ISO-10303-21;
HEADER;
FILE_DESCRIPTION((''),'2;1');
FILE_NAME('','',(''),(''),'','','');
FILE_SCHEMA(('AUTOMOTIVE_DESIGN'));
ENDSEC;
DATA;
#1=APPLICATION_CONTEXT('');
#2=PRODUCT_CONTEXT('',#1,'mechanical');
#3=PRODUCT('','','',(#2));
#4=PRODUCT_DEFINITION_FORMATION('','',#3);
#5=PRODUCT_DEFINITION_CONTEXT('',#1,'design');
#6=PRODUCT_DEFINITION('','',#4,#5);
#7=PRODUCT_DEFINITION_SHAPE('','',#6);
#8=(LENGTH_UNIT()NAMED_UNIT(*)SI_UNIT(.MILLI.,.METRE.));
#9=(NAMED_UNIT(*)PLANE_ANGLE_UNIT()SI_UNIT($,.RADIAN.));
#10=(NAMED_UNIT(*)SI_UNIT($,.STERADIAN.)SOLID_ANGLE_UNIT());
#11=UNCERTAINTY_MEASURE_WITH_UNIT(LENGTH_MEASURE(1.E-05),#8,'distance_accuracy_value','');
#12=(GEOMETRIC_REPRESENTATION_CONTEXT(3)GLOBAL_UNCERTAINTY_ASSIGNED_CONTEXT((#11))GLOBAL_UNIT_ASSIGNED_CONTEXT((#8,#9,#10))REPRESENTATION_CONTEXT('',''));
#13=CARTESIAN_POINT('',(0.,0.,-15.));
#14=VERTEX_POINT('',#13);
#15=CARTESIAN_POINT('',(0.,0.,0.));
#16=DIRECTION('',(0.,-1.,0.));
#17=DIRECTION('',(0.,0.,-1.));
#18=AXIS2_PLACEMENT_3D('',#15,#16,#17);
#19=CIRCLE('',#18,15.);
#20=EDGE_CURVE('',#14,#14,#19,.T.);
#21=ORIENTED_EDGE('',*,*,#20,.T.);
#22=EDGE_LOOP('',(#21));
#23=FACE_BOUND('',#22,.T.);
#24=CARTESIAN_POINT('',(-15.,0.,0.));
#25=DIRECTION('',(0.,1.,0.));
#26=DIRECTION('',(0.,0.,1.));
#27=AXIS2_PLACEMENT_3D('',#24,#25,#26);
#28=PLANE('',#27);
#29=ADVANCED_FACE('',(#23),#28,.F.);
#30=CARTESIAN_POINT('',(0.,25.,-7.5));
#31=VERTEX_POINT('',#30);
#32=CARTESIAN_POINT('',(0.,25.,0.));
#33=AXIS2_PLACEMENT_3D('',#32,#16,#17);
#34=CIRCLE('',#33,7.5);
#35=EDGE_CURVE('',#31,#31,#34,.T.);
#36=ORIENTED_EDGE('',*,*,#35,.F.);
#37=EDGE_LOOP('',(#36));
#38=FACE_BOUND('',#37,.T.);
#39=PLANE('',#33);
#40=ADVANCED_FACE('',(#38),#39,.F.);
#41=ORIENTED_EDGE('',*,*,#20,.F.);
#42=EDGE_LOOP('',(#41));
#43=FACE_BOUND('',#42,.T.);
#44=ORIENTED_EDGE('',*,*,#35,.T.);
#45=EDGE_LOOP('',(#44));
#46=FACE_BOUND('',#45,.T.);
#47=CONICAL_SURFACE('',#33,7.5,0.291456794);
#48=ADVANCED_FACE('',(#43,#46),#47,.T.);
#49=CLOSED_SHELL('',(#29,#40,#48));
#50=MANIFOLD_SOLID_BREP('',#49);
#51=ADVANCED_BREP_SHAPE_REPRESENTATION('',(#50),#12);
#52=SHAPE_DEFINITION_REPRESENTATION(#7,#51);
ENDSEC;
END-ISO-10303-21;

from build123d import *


with BuildPart() as part:
    # 草图1 → 旋转1 (revolve)
    with BuildSketch(Plane.XY, mode=Mode.PRIVATE) as revolve_1_sk:
        Polygon((0, 0), (0, 25), (-7.5, 25), (-15, 0), align=None)
    revolve(revolve_1_sk.sketch.rotate(Axis((0, 0, 0), (0, 1, 0)), 270), axis=Axis((0, 0, 0), (0, 1, 0)))


solid = part.part
